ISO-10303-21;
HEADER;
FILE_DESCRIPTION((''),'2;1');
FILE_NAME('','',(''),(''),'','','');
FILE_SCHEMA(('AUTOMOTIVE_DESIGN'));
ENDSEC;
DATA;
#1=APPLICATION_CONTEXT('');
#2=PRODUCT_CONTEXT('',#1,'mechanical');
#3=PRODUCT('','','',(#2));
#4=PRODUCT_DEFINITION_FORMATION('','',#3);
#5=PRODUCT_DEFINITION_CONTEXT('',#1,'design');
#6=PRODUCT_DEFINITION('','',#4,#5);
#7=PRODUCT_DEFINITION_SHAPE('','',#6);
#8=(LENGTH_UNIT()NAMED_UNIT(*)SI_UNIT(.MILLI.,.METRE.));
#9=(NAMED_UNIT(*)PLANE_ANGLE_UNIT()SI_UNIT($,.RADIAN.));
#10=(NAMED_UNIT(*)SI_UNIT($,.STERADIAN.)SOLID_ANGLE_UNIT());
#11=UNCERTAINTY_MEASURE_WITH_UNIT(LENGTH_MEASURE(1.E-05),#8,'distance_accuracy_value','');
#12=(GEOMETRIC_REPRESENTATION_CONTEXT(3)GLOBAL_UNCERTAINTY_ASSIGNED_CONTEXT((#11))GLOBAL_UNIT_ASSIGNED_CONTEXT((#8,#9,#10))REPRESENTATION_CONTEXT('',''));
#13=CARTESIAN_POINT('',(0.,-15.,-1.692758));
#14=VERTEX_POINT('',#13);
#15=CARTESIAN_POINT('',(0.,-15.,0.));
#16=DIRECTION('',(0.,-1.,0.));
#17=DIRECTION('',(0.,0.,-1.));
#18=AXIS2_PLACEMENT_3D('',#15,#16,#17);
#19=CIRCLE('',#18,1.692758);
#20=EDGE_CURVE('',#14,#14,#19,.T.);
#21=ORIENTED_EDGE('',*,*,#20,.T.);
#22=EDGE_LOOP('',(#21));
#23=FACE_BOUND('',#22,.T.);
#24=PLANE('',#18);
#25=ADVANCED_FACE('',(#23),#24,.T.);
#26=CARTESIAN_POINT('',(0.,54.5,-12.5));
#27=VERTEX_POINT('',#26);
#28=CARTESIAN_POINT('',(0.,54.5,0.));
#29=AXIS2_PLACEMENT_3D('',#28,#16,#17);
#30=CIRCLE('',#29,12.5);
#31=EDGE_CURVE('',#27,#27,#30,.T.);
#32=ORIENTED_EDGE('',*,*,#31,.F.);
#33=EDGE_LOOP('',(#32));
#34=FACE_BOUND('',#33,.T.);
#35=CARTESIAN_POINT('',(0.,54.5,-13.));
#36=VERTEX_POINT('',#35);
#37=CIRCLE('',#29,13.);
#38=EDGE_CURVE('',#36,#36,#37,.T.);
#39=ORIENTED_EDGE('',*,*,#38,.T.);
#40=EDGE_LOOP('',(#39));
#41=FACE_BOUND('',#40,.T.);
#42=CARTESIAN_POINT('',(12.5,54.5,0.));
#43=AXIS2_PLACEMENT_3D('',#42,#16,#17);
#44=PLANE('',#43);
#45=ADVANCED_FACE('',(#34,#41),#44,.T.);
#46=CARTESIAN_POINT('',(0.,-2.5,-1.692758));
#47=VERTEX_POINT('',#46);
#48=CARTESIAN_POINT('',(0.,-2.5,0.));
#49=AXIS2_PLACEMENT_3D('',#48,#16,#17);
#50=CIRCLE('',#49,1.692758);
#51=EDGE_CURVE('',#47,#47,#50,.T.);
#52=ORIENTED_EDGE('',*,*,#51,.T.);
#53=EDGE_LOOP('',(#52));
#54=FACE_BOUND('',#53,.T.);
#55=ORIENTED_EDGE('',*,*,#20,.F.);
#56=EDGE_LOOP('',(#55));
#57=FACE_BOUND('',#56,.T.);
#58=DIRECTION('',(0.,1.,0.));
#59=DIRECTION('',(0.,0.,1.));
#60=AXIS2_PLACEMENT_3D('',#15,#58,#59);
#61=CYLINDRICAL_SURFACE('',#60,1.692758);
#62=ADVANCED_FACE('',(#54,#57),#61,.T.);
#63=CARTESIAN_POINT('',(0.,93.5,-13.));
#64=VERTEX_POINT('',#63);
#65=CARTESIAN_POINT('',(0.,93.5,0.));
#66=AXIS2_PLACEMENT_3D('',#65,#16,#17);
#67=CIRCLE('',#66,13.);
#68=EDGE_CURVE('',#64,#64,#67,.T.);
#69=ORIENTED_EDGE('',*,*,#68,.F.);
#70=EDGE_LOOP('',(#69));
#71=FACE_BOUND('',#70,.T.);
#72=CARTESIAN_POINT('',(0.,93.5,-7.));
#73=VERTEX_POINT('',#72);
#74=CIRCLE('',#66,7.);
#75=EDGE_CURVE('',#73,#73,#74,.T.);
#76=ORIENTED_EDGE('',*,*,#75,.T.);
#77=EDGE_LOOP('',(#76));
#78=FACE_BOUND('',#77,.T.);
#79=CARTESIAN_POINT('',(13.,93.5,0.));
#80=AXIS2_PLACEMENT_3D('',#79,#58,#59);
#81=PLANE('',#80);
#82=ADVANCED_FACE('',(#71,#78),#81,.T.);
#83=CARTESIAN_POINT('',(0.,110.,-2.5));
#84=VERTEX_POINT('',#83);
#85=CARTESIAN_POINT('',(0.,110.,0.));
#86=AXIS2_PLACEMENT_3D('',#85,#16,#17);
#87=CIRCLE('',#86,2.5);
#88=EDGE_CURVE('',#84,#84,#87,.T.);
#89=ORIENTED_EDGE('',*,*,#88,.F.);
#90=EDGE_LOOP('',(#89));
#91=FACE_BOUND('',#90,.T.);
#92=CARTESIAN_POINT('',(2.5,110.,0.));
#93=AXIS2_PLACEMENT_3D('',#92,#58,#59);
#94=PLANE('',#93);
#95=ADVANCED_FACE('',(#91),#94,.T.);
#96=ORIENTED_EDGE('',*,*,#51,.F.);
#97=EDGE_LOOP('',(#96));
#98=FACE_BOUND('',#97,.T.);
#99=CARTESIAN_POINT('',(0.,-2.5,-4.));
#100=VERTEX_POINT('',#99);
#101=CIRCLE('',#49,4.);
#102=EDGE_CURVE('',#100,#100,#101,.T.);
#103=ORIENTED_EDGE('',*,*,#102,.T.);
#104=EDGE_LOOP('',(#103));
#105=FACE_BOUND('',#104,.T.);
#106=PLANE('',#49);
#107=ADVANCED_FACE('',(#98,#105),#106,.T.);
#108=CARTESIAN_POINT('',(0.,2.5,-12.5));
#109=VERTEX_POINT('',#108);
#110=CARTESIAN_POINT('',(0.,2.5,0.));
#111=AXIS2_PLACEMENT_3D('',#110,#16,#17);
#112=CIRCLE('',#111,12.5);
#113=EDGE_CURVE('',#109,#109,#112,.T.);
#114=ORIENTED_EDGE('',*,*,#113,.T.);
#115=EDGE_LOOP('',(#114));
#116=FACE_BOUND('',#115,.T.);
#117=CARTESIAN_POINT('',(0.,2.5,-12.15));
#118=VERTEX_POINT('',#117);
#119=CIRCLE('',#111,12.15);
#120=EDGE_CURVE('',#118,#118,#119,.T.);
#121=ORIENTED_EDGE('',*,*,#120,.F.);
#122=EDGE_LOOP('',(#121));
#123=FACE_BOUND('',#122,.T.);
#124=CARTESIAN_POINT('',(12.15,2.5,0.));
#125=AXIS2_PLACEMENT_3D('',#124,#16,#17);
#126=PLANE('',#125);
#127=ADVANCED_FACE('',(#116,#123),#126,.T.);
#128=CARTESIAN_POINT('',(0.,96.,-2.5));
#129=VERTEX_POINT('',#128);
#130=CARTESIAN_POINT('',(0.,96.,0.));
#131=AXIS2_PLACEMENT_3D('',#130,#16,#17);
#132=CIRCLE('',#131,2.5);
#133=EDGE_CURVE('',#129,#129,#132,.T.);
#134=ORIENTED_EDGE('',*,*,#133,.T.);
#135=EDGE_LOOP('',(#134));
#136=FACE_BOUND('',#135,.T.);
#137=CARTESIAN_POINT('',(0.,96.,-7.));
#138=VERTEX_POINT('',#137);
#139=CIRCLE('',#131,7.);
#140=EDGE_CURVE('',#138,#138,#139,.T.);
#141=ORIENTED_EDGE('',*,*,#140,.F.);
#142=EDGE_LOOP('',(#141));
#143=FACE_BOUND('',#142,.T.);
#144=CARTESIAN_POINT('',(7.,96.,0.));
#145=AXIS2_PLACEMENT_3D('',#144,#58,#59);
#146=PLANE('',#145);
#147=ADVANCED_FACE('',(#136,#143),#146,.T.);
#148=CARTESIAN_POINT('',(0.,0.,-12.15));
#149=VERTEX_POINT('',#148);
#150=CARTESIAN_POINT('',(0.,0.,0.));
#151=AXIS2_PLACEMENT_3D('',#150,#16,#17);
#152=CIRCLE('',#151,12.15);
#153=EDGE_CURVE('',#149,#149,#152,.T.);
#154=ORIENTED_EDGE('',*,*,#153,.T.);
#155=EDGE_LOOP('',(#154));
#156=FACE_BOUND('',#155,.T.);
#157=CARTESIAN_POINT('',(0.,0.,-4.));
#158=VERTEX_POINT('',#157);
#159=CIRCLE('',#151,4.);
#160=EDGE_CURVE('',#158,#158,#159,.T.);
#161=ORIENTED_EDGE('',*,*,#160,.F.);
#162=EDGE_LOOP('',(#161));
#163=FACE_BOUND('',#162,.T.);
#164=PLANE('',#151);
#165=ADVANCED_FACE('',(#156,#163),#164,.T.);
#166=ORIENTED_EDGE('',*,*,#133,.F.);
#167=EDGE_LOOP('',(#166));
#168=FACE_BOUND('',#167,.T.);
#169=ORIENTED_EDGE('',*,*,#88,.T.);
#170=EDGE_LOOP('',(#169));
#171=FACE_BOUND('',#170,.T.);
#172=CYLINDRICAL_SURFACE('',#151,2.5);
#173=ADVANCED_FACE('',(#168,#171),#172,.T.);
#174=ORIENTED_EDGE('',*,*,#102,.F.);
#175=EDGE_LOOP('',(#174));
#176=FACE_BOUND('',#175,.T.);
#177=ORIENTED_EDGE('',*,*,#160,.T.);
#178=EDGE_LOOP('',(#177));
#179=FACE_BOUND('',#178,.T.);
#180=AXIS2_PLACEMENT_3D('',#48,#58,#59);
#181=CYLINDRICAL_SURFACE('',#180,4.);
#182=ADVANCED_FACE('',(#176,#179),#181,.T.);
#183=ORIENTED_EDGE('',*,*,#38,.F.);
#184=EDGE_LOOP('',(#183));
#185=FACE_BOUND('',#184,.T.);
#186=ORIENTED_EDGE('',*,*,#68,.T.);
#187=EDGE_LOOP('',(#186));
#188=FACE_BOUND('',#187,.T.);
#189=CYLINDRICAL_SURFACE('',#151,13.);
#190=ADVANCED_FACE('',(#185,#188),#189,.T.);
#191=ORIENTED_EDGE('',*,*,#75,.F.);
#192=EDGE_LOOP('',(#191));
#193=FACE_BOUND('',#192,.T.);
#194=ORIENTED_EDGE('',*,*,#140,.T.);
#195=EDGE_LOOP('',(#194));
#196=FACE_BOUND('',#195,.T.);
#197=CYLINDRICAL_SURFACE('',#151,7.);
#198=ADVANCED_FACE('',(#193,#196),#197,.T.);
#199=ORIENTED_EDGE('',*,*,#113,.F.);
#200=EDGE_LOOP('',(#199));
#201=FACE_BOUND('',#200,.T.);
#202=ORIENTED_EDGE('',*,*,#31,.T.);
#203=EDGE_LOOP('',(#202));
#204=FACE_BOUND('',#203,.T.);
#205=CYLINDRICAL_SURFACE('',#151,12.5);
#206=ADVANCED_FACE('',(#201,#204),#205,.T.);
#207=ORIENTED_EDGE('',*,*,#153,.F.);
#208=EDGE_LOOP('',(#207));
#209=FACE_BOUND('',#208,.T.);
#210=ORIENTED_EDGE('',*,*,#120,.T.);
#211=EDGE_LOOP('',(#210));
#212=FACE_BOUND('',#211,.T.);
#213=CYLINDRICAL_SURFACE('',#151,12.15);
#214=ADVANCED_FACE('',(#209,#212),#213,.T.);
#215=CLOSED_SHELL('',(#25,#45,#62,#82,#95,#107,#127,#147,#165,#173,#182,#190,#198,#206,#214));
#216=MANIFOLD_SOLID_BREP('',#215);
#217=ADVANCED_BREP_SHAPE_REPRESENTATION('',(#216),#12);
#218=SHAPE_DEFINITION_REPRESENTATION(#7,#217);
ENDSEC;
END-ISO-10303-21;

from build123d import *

# Parameters (mm, degrees)
ESQUISSE2_R        = 1.692758077
BOSS_EXTRU_1_DEPTH = 15
ESQUISSE3_R        = 4
BOSS_EXTRU_2_DEPTH = 2.5


with BuildPart() as part:
    # Esquisse1 → Révolution1 (revolve)
    with BuildSketch(Plane.XY, mode=Mode.PRIVATE) as r_volution1_sk:
        Polygon((0, 0), (12.15, 0), (12.15, 2.5), (12.5, 2.5), (12.5, 54.5), (13, 54.5), (13, 93.5), (7, 93.5), (7, 96), (2.5, 96), (2.5, 110), (0, 110), align=None)
    revolve(r_volution1_sk.sketch.rotate(Axis((0, 0, 0), (0, 1, 0)), 90), axis=Axis((0, 0, 0), (0, 1, 0)))

    # Esquisse2 → Boss.-Extru.1 (add)
    with BuildSketch(Plane.XZ):
        with Locations(Location((0, 0, 0), (0, 0, 270))):
            Circle(ESQUISSE2_R)
    extrude(amount=BOSS_EXTRU_1_DEPTH)

    # Esquisse3 → Boss.-Extru.2 (add)
    with BuildSketch(Plane.XZ):
        with Locations(Location((0, 0, 0), (0, 0, 270))):
            Circle(ESQUISSE3_R)
    extrude(amount=BOSS_EXTRU_2_DEPTH)


solid = part.part
